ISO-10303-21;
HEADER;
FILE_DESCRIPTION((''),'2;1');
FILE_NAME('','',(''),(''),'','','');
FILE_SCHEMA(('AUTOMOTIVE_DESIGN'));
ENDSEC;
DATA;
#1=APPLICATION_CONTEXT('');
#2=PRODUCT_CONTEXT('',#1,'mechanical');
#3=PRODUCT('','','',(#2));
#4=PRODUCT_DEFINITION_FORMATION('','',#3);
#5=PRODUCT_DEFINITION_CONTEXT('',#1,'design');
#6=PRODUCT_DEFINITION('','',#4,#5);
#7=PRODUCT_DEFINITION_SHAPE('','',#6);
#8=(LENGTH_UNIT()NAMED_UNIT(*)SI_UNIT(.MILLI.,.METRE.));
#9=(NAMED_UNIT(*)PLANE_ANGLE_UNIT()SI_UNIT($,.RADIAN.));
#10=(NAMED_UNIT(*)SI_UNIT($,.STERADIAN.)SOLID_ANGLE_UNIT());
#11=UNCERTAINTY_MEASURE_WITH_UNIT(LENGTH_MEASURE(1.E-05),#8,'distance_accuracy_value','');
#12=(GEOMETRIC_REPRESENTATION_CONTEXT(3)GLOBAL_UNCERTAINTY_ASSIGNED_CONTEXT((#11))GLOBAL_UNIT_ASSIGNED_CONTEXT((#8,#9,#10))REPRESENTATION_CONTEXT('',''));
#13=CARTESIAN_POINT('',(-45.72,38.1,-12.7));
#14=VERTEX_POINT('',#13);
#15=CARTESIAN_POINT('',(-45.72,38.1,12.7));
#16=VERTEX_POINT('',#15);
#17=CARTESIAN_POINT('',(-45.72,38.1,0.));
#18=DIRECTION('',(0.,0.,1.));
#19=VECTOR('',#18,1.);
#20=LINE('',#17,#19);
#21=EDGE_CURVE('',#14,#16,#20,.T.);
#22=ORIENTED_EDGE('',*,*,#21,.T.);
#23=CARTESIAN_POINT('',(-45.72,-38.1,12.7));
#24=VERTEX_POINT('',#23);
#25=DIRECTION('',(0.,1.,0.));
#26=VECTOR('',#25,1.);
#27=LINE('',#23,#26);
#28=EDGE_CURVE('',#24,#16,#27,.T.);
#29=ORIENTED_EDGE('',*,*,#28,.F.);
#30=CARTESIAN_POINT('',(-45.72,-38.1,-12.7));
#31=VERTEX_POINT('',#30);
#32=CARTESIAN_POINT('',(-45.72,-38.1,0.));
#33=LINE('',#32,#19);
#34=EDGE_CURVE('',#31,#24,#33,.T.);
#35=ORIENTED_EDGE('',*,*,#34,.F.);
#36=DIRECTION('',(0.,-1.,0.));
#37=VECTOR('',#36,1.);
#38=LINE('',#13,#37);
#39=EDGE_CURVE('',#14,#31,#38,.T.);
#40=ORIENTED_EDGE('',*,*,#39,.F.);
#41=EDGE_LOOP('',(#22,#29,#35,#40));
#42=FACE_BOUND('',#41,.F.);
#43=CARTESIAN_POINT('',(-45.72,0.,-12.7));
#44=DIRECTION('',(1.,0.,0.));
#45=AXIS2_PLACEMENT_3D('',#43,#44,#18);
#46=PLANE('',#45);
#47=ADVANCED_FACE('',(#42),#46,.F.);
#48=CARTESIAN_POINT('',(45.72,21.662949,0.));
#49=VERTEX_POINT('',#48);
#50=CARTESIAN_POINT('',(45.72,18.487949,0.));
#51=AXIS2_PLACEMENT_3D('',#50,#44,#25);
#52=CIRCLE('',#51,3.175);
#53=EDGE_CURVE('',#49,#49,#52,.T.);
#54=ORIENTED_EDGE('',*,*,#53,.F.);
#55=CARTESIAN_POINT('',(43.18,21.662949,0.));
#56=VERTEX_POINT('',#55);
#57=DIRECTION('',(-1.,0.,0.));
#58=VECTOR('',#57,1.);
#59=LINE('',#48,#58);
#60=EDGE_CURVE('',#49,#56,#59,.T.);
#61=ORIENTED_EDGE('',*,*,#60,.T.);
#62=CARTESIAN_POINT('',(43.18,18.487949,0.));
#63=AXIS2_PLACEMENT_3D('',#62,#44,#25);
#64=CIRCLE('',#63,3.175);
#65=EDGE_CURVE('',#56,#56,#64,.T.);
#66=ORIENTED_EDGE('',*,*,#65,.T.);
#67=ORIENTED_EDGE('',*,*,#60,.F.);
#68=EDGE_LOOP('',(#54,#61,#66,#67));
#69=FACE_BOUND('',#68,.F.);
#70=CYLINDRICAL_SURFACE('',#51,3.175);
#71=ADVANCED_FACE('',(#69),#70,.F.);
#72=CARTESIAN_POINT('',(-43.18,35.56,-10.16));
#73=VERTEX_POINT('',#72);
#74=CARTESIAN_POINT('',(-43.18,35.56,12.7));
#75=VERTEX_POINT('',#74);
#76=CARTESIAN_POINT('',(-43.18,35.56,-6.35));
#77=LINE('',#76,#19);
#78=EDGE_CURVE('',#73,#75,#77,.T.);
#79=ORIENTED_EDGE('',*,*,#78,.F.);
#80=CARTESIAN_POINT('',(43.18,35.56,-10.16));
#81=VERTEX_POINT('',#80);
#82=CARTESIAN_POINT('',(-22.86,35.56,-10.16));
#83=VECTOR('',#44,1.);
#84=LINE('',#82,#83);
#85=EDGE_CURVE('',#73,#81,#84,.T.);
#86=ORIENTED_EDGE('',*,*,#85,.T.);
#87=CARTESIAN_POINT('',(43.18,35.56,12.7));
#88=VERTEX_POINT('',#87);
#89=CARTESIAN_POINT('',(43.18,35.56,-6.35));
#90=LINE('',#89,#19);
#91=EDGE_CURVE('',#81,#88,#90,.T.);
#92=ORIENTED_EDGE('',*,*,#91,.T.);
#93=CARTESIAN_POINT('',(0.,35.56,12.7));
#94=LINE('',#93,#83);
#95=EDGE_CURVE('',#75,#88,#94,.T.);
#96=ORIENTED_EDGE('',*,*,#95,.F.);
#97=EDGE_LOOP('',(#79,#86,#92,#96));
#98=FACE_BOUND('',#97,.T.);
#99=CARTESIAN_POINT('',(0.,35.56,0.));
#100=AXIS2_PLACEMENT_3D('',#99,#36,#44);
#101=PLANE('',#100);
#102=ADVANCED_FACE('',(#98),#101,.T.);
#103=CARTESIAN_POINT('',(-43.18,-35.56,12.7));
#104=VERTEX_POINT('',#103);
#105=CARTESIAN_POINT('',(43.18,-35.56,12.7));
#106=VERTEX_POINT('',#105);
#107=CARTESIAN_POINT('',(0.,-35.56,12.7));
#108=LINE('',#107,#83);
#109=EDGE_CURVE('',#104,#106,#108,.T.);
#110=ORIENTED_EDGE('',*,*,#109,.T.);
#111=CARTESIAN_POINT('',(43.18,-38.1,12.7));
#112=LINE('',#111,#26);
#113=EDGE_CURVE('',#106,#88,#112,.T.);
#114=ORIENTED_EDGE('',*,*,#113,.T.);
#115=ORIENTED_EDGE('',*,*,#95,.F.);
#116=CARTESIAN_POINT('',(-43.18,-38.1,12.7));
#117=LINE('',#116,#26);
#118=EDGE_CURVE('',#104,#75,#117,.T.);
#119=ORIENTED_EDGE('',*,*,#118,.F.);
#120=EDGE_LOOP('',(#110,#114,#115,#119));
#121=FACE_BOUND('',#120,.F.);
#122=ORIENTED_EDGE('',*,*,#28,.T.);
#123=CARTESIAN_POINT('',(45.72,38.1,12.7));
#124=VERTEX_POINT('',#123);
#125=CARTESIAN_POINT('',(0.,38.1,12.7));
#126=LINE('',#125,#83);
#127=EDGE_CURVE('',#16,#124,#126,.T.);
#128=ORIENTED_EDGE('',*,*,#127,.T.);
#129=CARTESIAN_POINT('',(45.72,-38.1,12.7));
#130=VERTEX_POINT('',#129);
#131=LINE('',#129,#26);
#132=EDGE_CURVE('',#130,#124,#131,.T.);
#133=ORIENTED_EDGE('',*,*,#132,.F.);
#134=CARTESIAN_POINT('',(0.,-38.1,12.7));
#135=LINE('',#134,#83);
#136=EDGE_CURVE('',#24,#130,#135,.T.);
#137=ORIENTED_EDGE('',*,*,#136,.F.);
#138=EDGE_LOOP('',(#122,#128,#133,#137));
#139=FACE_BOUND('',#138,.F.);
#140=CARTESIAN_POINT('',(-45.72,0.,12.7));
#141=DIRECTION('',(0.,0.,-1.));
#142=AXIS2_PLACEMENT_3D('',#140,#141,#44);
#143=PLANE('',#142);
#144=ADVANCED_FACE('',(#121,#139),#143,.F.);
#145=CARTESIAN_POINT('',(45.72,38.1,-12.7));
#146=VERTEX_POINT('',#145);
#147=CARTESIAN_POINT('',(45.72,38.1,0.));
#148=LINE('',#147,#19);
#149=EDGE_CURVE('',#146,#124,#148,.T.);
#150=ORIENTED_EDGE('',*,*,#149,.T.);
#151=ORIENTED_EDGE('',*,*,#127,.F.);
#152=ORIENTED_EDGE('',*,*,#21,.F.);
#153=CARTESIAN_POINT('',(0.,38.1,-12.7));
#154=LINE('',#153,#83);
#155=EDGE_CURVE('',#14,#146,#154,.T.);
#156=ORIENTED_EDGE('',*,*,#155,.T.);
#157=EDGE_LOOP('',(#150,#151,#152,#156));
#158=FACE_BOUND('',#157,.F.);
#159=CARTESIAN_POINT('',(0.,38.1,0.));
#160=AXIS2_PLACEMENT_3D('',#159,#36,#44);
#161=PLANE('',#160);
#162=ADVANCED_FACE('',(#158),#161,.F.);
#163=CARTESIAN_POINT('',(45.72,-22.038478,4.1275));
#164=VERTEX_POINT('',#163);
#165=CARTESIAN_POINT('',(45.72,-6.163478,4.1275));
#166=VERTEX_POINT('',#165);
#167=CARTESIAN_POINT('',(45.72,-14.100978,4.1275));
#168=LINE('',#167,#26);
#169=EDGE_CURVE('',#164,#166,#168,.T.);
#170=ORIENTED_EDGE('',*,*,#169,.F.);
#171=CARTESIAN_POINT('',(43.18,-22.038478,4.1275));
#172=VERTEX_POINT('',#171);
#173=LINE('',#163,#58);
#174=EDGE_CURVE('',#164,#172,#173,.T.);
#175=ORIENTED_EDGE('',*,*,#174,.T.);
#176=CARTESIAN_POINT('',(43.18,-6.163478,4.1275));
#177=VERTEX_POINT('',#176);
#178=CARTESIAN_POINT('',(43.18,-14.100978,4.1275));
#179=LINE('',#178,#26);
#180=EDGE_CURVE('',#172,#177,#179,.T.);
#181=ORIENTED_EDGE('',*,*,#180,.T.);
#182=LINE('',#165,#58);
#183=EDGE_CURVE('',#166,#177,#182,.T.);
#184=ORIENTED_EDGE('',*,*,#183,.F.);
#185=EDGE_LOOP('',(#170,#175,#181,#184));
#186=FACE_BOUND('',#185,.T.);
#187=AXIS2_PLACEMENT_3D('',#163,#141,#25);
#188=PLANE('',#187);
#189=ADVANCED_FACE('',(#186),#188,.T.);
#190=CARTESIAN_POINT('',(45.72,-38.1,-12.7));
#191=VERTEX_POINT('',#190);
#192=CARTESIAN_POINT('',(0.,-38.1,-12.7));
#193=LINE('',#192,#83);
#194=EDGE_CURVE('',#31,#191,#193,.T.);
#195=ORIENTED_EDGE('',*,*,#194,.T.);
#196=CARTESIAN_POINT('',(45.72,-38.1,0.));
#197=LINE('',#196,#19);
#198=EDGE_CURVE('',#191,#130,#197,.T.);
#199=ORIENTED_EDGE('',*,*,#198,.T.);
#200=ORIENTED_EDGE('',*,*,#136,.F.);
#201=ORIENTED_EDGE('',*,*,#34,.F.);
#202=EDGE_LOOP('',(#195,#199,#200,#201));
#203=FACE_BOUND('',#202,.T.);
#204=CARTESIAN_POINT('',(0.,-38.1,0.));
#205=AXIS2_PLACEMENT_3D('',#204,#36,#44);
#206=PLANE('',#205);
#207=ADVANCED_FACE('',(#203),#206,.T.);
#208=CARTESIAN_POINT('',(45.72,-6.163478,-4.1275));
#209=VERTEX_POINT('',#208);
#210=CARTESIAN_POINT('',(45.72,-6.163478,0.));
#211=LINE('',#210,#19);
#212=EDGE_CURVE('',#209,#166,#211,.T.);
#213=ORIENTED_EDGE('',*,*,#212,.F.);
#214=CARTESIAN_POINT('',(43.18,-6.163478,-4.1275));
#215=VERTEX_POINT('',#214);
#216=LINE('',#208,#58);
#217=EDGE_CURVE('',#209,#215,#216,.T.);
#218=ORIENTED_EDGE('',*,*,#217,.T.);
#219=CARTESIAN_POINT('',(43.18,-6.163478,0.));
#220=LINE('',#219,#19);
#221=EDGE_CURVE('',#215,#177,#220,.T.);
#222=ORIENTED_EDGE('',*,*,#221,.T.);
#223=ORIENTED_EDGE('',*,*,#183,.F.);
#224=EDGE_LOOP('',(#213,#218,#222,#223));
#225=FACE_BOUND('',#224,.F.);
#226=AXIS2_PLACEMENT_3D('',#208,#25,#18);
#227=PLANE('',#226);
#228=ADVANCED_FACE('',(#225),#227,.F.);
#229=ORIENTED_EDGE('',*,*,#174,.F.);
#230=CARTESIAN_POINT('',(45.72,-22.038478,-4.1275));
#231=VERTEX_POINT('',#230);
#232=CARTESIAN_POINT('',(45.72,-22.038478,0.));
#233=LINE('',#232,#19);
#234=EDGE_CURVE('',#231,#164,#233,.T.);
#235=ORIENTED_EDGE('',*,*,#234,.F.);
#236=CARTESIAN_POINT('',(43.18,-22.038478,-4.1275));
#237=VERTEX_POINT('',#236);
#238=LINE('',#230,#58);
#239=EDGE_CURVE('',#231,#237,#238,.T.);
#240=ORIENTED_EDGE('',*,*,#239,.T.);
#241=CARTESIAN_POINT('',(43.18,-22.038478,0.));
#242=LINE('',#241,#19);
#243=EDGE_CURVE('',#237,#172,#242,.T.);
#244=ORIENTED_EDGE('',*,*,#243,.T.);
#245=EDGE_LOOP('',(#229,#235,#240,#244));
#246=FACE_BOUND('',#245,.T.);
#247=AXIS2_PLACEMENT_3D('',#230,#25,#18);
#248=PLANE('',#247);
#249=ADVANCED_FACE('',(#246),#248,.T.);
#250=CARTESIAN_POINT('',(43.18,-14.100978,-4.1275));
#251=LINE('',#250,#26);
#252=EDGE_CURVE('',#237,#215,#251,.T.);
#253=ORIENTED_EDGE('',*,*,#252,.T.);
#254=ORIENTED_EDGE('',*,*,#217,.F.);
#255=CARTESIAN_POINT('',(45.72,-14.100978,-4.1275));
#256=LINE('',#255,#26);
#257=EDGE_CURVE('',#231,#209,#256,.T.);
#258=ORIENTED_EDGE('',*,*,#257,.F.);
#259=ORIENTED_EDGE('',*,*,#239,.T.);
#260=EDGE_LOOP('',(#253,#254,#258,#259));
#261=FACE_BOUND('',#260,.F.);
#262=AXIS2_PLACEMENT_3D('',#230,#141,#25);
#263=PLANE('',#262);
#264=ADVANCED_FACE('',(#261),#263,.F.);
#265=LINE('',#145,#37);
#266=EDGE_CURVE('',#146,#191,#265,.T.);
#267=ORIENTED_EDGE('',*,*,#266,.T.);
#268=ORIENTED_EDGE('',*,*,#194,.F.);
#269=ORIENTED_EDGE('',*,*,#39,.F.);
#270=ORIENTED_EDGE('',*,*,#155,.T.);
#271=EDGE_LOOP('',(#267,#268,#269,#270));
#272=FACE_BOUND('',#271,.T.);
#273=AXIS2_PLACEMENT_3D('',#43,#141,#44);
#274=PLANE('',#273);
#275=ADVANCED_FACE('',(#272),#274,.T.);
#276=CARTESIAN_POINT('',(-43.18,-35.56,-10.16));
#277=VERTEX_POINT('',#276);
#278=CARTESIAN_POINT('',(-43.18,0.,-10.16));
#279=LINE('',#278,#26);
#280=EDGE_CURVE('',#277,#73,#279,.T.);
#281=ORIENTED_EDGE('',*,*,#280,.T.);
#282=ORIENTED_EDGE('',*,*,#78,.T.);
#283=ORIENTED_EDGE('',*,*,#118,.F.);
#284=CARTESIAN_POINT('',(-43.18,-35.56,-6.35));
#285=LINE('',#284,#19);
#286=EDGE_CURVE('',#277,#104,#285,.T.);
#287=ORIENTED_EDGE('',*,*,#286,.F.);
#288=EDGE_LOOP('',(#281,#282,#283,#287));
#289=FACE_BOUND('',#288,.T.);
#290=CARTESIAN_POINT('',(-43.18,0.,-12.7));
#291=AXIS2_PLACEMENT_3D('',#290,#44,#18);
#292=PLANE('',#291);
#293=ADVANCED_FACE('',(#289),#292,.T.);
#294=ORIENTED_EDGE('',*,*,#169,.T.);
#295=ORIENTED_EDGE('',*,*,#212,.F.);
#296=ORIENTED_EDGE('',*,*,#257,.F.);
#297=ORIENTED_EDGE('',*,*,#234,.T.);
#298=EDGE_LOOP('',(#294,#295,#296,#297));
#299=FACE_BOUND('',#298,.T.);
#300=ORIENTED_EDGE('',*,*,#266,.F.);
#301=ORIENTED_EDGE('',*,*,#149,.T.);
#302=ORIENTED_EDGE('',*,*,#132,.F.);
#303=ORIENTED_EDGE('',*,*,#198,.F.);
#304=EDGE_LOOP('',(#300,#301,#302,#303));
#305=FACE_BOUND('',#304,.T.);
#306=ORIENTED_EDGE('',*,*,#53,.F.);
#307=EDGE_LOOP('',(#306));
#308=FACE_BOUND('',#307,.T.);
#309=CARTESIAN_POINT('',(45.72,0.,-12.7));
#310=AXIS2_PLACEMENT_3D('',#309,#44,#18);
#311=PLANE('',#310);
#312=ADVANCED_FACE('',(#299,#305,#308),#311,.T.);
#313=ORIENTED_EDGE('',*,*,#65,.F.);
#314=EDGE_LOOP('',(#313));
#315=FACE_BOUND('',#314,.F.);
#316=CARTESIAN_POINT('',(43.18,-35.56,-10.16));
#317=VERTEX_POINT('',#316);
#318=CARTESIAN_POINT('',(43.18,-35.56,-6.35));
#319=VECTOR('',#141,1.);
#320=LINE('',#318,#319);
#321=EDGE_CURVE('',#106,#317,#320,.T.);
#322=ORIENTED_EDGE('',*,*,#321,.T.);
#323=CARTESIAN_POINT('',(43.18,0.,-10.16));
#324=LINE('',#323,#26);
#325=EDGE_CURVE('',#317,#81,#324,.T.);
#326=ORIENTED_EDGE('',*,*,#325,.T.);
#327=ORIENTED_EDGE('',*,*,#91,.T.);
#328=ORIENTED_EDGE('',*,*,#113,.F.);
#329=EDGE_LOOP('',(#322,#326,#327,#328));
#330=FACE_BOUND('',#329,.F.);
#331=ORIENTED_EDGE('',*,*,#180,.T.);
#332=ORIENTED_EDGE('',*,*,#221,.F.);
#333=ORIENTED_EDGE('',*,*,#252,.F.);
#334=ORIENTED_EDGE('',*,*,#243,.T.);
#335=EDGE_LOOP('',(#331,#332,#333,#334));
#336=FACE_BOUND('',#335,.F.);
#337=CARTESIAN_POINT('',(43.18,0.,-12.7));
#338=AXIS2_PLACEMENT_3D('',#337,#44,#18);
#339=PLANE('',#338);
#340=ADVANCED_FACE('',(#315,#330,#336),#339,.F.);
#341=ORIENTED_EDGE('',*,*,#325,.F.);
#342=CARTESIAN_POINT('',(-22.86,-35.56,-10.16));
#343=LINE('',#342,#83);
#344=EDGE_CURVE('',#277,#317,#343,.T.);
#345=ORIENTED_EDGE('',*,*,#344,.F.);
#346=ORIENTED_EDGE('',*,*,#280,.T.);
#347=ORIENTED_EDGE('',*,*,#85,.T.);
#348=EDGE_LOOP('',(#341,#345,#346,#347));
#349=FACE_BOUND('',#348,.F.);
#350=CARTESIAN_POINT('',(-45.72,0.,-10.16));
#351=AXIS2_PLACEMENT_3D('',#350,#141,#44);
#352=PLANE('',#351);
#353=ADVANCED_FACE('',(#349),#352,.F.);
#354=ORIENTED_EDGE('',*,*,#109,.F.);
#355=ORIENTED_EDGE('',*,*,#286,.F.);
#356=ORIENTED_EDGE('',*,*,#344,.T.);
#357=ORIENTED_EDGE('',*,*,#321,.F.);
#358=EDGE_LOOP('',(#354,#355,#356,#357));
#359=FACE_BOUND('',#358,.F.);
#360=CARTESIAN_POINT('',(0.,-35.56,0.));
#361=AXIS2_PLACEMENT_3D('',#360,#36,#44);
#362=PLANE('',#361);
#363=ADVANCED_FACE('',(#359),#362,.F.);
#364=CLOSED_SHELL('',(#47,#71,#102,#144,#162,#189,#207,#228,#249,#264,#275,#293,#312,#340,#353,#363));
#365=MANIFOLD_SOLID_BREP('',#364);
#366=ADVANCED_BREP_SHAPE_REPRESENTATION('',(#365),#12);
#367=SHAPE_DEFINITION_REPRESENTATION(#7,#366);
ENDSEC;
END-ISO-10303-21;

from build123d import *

# Parameters (mm, degrees)
F0_W     = 91.44
F0_H     = 25.4
F1_DEPTH = 38.1
F2_T     = -2.54
F3_W     = 15.875
F3_H     = 8.255
F3_R     = 3.175
F4_DEPTH = 2.54


with BuildPart() as f1:
    # F0 (on Front) → F1 (new body, symmetric)
    with BuildSketch(Plane.XZ):
        Rectangle(F0_W, F0_H)
    extrude(amount=F1_DEPTH, both=True)

    # F2
    f2_openings = [f1.faces().sort_by_distance(p)[0] for p in [
        (0, 0, 12.7),
    ]]
    offset(amount=F2_T, openings=f2_openings)

    # F3 (on face) → F4 (cut, through all)
    with BuildSketch(Plane.YZ.offset(45.72)):
        with Locations((-14.100978, 0)):
            Rectangle(F3_W, F3_H)
        with Locations((18.487949, 0)):
            Circle(F3_R)
    extrude(amount=-F4_DEPTH, mode=Mode.SUBTRACT)


solid = f1.part
